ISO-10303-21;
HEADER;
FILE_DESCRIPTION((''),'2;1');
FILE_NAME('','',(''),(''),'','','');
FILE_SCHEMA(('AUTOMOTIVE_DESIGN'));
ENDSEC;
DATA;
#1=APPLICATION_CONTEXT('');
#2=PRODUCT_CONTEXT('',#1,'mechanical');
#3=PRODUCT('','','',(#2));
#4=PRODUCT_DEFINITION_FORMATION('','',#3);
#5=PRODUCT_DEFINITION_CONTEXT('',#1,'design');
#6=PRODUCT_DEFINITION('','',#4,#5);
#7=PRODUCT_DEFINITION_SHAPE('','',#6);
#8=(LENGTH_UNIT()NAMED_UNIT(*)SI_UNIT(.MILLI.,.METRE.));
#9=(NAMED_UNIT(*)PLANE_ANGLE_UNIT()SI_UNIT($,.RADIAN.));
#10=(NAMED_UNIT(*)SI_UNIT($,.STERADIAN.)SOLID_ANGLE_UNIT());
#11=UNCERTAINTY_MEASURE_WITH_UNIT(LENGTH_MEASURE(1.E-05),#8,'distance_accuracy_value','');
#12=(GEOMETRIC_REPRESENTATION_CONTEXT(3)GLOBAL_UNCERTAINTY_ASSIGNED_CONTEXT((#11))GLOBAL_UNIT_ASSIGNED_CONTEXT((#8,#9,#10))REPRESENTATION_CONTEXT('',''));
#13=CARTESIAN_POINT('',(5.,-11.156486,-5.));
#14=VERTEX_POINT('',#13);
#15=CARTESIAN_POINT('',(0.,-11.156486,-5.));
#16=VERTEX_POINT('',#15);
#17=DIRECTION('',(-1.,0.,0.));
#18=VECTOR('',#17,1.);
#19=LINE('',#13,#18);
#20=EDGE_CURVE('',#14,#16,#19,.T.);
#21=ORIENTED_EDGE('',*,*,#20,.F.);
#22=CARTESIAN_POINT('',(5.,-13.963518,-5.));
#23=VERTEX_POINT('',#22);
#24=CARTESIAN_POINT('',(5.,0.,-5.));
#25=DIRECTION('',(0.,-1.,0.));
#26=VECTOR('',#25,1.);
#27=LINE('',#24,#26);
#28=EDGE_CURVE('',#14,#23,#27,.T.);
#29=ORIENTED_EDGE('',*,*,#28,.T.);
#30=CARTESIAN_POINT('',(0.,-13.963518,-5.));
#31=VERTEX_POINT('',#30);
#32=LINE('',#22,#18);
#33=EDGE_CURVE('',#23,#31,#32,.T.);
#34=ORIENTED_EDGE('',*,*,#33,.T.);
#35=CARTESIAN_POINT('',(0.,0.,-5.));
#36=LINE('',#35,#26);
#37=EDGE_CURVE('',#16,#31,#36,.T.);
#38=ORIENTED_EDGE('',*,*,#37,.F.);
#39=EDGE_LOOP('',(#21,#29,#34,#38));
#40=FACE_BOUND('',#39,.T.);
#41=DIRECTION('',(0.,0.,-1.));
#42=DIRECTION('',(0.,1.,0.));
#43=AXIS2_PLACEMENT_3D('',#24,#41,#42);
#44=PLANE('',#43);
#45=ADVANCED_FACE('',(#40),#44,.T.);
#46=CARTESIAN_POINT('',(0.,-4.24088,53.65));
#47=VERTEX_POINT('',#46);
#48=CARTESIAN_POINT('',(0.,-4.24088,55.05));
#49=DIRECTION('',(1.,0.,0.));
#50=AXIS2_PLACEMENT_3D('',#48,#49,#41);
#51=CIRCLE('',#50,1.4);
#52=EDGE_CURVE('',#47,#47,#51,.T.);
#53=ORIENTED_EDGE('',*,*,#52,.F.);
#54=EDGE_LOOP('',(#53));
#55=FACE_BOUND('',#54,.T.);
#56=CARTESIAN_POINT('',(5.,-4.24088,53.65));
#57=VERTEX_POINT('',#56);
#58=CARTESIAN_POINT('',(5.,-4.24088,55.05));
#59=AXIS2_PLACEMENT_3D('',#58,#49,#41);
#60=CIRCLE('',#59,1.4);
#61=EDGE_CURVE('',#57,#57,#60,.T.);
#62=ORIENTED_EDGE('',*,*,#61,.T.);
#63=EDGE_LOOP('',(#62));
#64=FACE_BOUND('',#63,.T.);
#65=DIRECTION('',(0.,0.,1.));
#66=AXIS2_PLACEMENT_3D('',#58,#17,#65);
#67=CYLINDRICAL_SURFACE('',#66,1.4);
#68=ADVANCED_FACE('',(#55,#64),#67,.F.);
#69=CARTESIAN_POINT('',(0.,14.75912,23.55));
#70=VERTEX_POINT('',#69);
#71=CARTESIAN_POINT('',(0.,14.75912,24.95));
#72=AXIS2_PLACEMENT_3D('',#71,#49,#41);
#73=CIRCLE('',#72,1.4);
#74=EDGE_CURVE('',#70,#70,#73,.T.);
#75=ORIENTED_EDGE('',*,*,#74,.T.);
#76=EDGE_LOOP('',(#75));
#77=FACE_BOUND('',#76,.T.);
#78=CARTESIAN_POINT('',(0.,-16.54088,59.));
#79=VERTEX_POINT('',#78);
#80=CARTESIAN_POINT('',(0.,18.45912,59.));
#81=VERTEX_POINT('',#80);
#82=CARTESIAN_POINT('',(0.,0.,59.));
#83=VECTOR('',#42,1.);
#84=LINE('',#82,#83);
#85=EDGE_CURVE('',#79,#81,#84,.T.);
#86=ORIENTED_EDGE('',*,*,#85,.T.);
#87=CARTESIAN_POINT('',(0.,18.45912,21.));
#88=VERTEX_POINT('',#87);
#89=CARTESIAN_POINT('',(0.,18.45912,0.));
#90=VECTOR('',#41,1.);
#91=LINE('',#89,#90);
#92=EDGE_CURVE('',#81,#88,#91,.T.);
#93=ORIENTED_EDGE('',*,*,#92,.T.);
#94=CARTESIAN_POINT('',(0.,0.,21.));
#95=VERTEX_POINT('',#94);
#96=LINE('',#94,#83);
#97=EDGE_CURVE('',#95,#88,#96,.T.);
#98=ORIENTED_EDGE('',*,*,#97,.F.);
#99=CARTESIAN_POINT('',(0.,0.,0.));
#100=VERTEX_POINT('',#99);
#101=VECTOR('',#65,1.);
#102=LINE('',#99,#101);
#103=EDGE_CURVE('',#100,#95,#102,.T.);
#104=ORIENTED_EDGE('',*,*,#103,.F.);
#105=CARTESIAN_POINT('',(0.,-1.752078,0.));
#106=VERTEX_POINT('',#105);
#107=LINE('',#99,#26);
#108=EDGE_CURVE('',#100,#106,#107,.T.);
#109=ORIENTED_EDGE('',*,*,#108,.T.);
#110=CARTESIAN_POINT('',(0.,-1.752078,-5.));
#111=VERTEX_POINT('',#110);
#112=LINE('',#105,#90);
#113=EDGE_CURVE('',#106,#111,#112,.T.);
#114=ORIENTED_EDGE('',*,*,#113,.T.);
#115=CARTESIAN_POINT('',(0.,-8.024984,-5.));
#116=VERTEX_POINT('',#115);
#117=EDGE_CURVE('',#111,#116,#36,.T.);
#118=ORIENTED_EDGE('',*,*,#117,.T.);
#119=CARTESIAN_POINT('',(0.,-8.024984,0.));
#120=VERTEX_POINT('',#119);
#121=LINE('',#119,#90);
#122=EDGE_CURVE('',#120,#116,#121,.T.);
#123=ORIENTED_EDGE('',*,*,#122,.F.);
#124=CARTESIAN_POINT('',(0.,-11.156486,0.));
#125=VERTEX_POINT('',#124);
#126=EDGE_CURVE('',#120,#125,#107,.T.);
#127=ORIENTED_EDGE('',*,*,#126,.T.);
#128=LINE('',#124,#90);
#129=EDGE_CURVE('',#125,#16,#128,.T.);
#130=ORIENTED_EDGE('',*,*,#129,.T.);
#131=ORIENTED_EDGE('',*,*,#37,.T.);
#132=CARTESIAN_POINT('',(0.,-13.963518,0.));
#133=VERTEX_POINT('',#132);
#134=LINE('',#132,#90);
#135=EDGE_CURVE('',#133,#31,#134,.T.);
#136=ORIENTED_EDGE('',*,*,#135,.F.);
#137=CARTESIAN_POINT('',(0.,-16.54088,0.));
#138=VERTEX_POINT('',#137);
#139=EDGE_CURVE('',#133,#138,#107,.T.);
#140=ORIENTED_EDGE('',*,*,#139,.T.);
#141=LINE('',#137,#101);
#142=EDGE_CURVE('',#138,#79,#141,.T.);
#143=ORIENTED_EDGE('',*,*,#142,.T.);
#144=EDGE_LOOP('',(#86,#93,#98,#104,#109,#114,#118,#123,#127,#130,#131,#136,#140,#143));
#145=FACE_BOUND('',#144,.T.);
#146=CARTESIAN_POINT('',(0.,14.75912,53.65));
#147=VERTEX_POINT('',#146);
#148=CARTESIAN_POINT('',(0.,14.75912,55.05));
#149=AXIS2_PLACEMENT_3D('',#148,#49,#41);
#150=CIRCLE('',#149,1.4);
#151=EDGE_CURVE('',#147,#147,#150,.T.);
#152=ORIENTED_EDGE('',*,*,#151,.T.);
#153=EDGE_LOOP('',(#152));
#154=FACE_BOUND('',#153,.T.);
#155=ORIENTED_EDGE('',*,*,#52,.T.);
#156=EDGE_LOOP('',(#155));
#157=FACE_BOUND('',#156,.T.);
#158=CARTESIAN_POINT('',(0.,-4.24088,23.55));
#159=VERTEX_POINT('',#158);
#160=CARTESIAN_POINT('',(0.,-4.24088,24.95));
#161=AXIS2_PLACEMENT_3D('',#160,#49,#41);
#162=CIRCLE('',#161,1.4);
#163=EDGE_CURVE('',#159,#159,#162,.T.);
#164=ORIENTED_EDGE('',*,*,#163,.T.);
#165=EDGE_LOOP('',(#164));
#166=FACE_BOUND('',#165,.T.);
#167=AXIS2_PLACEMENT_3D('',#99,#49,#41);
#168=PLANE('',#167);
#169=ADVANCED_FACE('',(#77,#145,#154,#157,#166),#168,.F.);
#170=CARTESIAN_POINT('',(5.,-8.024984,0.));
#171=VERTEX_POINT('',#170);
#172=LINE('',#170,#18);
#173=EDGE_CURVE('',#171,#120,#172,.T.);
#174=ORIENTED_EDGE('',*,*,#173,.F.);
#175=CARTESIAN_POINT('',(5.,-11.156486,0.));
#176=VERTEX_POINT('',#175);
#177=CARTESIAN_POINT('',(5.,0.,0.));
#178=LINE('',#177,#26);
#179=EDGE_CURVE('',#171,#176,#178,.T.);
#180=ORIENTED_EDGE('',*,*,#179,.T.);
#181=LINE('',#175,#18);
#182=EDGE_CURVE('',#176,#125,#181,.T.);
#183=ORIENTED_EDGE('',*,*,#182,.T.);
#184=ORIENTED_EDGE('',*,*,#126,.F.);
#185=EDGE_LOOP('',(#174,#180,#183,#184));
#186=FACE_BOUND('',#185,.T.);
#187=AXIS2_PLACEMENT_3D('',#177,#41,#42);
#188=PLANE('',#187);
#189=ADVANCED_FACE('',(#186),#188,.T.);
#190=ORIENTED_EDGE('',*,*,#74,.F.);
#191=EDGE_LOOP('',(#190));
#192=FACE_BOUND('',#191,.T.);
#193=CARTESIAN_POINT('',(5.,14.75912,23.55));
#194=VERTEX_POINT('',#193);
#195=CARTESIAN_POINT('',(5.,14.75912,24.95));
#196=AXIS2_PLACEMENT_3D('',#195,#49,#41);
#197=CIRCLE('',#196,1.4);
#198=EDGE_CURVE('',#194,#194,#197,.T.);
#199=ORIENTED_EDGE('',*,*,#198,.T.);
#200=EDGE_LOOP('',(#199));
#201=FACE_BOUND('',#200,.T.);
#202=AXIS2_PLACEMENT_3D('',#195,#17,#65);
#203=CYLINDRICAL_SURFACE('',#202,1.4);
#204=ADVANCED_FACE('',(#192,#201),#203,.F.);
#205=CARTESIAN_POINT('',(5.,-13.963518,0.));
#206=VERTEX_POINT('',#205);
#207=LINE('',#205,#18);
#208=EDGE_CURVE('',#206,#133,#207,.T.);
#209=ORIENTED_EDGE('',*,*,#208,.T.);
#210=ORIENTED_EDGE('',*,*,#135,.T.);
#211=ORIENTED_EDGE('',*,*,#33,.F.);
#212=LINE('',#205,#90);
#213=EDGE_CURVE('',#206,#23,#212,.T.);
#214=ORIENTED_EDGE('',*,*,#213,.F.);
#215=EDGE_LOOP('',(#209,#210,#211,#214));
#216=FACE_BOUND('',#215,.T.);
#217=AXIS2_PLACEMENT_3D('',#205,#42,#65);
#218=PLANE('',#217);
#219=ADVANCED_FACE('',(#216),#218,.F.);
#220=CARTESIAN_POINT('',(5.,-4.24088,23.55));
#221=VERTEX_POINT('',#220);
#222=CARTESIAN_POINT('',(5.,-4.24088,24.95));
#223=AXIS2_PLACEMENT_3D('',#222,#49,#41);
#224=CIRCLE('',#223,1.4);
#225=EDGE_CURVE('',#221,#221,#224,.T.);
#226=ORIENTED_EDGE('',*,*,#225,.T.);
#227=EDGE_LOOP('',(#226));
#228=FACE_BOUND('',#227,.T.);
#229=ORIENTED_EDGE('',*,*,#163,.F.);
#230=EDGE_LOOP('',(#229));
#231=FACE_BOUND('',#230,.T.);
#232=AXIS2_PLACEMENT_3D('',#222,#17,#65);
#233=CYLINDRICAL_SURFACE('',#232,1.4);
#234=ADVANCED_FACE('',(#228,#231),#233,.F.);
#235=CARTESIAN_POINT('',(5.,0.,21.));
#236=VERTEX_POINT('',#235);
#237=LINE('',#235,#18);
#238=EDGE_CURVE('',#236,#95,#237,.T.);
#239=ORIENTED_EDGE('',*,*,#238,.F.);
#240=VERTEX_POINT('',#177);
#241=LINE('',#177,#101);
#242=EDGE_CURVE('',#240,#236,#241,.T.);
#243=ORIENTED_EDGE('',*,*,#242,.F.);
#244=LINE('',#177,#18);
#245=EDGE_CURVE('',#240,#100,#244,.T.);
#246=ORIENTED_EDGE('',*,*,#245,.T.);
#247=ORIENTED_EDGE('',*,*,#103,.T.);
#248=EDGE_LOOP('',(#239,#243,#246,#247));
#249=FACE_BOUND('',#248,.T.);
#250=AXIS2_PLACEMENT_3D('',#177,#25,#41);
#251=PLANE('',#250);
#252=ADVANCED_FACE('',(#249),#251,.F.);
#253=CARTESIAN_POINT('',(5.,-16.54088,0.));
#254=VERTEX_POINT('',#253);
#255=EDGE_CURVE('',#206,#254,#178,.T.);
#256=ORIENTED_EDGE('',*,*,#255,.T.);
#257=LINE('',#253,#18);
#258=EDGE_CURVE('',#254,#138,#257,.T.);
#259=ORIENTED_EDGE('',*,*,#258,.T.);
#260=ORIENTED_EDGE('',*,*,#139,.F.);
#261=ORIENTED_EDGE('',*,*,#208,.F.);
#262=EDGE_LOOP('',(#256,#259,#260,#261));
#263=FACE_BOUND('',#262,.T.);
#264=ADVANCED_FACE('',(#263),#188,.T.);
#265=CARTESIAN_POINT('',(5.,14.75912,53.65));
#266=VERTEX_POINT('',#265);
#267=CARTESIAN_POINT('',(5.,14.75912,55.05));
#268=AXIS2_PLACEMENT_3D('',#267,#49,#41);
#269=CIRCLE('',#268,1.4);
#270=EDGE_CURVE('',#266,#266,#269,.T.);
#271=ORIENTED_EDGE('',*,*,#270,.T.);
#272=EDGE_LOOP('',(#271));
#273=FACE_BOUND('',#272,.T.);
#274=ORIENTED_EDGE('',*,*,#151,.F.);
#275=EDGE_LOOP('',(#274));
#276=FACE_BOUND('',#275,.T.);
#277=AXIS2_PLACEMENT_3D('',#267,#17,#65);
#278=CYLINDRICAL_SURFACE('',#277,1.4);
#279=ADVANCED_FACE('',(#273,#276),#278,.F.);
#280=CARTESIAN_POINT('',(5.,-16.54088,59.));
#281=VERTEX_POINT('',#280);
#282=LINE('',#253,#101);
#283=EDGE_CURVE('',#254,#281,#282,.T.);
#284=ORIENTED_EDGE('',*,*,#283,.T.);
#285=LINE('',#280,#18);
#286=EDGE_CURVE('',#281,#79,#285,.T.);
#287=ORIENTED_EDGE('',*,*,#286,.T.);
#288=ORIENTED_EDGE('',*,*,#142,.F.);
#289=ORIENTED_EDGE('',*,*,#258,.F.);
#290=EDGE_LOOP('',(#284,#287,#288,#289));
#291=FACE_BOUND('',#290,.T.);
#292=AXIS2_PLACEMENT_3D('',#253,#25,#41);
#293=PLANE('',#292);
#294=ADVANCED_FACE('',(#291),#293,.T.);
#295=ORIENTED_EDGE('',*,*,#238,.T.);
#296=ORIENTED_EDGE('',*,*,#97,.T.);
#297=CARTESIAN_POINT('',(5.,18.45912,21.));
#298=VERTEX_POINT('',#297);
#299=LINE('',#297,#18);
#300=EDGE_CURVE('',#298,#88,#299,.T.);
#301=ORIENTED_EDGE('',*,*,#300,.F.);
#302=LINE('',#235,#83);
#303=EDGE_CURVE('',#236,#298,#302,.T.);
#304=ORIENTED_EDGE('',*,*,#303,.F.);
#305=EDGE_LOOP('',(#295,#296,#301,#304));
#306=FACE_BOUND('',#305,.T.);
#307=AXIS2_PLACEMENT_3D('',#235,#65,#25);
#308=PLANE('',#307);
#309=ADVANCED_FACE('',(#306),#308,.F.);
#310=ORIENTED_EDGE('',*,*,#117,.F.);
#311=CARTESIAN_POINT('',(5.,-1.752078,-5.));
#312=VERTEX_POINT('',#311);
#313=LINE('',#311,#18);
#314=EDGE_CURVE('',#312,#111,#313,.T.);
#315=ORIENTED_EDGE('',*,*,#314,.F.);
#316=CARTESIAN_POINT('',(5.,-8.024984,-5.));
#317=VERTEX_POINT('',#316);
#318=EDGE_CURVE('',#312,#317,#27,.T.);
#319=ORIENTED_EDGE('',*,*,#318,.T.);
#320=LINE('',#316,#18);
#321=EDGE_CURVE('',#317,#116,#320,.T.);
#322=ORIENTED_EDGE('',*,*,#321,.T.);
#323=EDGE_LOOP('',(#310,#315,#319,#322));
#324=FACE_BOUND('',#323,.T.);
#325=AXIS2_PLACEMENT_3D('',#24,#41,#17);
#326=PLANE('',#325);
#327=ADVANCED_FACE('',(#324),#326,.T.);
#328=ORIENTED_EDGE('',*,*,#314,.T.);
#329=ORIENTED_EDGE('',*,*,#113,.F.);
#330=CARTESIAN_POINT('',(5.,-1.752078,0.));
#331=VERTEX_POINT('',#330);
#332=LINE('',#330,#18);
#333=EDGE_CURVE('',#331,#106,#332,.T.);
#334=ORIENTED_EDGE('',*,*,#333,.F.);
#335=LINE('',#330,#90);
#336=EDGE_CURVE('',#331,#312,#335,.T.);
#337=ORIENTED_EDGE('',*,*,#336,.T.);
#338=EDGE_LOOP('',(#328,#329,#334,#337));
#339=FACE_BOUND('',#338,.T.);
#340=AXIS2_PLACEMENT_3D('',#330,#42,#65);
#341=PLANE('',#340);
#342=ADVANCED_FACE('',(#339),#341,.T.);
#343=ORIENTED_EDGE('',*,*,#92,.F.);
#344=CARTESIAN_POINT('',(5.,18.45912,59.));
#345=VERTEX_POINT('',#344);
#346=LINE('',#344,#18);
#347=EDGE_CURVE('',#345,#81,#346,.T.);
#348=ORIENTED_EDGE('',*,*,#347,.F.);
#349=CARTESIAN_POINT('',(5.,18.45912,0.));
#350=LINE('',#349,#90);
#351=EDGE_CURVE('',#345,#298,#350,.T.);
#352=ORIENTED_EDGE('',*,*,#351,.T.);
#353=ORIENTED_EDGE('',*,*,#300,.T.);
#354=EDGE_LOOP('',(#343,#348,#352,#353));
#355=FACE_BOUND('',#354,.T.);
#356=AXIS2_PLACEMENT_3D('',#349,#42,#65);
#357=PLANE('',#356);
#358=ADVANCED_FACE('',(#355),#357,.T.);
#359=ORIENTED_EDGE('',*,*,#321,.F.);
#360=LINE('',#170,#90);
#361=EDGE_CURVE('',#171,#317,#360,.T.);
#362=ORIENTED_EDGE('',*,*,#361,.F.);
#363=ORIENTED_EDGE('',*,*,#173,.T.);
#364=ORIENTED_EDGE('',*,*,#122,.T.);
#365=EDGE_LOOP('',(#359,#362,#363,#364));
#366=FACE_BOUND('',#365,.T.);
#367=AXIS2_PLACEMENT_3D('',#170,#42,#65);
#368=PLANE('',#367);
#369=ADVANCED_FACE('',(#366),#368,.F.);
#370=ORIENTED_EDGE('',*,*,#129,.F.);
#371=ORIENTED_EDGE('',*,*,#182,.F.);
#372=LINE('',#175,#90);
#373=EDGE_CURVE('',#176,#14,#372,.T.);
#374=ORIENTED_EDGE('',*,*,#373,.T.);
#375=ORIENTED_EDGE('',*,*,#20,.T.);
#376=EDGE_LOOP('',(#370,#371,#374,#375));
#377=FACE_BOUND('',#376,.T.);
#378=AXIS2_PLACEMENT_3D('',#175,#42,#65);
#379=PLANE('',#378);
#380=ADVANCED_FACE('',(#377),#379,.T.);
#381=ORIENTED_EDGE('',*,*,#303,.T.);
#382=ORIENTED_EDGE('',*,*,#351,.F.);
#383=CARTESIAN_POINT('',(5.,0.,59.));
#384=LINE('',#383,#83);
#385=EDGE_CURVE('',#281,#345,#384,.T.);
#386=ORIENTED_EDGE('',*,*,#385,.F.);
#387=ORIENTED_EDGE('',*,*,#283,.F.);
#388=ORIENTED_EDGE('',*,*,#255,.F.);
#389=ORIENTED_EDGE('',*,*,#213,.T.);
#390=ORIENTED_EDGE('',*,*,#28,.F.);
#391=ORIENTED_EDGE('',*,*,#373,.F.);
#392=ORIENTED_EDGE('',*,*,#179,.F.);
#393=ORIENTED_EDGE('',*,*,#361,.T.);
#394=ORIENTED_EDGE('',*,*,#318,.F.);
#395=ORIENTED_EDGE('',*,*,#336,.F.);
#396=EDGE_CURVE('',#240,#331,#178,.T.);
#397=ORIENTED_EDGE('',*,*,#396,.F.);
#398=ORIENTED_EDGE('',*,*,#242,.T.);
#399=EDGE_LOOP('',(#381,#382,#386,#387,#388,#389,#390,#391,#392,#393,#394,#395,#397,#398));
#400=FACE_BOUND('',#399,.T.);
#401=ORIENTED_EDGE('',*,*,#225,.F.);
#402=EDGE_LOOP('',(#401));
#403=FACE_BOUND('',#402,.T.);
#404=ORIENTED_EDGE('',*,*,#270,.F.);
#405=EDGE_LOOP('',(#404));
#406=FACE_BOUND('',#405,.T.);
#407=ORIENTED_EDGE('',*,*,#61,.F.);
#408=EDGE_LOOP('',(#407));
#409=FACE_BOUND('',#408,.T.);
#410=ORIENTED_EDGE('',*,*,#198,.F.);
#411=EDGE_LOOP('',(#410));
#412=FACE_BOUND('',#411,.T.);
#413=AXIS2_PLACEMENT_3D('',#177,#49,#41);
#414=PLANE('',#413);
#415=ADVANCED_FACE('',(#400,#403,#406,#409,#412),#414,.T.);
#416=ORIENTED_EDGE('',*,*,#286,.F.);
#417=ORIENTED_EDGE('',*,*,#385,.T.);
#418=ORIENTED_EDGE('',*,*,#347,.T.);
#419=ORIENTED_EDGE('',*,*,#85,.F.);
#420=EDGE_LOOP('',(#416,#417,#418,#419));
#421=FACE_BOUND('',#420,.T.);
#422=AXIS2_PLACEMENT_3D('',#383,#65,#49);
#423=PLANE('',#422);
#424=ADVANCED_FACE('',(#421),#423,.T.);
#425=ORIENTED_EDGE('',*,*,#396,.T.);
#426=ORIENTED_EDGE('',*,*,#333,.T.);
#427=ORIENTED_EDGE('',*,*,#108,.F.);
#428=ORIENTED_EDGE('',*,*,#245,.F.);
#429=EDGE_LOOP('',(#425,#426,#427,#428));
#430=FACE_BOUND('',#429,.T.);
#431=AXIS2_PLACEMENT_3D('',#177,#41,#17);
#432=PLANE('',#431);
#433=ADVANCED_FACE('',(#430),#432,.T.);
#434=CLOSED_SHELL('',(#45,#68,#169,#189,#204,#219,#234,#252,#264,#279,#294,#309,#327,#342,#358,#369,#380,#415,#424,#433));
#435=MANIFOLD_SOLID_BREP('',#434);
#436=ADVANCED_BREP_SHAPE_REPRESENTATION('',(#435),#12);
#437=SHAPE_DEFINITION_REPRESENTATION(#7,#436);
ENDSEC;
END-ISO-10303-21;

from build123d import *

# Parameters (mm, degrees)
SKETCH1_R           = 1.4
BOSS_EXTRUDE1_DEPTH = 5


with BuildPart() as part:
    # Sketch1 → Boss-Extrude1 (new body)
    with BuildSketch(Plane(origin=(0, 0, 0), x_dir=(0, 0, -1), z_dir=(1, 0, 0))):
        Polygon((0, 0), (-21, 0), (-21, 18.45912049), (-59, 18.45912049), (-59, 3.45912049), (-59, -16.54087951), (0, -16.54087951), (0, -13.963518408), (5, -13.963518408), (5, -11.15648618), (0, -11.15648618), (0, -8.024983971), (5, -8.024983971), (5, -1.752077979), (0, -1.752077979), align=None)
        with Locations((-24.95, -4.24087951)):
            Circle(SKETCH1_R, mode=Mode.SUBTRACT)
        with Locations((-55.05, -4.24087951)):
            Circle(SKETCH1_R, mode=Mode.SUBTRACT)
        with Locations((-24.95, 14.75912049)):
            Circle(SKETCH1_R, mode=Mode.SUBTRACT)
        with Locations((-55.05, 14.75912049)):
            Circle(SKETCH1_R, mode=Mode.SUBTRACT)
    extrude(amount=BOSS_EXTRUDE1_DEPTH)


solid = part.part
